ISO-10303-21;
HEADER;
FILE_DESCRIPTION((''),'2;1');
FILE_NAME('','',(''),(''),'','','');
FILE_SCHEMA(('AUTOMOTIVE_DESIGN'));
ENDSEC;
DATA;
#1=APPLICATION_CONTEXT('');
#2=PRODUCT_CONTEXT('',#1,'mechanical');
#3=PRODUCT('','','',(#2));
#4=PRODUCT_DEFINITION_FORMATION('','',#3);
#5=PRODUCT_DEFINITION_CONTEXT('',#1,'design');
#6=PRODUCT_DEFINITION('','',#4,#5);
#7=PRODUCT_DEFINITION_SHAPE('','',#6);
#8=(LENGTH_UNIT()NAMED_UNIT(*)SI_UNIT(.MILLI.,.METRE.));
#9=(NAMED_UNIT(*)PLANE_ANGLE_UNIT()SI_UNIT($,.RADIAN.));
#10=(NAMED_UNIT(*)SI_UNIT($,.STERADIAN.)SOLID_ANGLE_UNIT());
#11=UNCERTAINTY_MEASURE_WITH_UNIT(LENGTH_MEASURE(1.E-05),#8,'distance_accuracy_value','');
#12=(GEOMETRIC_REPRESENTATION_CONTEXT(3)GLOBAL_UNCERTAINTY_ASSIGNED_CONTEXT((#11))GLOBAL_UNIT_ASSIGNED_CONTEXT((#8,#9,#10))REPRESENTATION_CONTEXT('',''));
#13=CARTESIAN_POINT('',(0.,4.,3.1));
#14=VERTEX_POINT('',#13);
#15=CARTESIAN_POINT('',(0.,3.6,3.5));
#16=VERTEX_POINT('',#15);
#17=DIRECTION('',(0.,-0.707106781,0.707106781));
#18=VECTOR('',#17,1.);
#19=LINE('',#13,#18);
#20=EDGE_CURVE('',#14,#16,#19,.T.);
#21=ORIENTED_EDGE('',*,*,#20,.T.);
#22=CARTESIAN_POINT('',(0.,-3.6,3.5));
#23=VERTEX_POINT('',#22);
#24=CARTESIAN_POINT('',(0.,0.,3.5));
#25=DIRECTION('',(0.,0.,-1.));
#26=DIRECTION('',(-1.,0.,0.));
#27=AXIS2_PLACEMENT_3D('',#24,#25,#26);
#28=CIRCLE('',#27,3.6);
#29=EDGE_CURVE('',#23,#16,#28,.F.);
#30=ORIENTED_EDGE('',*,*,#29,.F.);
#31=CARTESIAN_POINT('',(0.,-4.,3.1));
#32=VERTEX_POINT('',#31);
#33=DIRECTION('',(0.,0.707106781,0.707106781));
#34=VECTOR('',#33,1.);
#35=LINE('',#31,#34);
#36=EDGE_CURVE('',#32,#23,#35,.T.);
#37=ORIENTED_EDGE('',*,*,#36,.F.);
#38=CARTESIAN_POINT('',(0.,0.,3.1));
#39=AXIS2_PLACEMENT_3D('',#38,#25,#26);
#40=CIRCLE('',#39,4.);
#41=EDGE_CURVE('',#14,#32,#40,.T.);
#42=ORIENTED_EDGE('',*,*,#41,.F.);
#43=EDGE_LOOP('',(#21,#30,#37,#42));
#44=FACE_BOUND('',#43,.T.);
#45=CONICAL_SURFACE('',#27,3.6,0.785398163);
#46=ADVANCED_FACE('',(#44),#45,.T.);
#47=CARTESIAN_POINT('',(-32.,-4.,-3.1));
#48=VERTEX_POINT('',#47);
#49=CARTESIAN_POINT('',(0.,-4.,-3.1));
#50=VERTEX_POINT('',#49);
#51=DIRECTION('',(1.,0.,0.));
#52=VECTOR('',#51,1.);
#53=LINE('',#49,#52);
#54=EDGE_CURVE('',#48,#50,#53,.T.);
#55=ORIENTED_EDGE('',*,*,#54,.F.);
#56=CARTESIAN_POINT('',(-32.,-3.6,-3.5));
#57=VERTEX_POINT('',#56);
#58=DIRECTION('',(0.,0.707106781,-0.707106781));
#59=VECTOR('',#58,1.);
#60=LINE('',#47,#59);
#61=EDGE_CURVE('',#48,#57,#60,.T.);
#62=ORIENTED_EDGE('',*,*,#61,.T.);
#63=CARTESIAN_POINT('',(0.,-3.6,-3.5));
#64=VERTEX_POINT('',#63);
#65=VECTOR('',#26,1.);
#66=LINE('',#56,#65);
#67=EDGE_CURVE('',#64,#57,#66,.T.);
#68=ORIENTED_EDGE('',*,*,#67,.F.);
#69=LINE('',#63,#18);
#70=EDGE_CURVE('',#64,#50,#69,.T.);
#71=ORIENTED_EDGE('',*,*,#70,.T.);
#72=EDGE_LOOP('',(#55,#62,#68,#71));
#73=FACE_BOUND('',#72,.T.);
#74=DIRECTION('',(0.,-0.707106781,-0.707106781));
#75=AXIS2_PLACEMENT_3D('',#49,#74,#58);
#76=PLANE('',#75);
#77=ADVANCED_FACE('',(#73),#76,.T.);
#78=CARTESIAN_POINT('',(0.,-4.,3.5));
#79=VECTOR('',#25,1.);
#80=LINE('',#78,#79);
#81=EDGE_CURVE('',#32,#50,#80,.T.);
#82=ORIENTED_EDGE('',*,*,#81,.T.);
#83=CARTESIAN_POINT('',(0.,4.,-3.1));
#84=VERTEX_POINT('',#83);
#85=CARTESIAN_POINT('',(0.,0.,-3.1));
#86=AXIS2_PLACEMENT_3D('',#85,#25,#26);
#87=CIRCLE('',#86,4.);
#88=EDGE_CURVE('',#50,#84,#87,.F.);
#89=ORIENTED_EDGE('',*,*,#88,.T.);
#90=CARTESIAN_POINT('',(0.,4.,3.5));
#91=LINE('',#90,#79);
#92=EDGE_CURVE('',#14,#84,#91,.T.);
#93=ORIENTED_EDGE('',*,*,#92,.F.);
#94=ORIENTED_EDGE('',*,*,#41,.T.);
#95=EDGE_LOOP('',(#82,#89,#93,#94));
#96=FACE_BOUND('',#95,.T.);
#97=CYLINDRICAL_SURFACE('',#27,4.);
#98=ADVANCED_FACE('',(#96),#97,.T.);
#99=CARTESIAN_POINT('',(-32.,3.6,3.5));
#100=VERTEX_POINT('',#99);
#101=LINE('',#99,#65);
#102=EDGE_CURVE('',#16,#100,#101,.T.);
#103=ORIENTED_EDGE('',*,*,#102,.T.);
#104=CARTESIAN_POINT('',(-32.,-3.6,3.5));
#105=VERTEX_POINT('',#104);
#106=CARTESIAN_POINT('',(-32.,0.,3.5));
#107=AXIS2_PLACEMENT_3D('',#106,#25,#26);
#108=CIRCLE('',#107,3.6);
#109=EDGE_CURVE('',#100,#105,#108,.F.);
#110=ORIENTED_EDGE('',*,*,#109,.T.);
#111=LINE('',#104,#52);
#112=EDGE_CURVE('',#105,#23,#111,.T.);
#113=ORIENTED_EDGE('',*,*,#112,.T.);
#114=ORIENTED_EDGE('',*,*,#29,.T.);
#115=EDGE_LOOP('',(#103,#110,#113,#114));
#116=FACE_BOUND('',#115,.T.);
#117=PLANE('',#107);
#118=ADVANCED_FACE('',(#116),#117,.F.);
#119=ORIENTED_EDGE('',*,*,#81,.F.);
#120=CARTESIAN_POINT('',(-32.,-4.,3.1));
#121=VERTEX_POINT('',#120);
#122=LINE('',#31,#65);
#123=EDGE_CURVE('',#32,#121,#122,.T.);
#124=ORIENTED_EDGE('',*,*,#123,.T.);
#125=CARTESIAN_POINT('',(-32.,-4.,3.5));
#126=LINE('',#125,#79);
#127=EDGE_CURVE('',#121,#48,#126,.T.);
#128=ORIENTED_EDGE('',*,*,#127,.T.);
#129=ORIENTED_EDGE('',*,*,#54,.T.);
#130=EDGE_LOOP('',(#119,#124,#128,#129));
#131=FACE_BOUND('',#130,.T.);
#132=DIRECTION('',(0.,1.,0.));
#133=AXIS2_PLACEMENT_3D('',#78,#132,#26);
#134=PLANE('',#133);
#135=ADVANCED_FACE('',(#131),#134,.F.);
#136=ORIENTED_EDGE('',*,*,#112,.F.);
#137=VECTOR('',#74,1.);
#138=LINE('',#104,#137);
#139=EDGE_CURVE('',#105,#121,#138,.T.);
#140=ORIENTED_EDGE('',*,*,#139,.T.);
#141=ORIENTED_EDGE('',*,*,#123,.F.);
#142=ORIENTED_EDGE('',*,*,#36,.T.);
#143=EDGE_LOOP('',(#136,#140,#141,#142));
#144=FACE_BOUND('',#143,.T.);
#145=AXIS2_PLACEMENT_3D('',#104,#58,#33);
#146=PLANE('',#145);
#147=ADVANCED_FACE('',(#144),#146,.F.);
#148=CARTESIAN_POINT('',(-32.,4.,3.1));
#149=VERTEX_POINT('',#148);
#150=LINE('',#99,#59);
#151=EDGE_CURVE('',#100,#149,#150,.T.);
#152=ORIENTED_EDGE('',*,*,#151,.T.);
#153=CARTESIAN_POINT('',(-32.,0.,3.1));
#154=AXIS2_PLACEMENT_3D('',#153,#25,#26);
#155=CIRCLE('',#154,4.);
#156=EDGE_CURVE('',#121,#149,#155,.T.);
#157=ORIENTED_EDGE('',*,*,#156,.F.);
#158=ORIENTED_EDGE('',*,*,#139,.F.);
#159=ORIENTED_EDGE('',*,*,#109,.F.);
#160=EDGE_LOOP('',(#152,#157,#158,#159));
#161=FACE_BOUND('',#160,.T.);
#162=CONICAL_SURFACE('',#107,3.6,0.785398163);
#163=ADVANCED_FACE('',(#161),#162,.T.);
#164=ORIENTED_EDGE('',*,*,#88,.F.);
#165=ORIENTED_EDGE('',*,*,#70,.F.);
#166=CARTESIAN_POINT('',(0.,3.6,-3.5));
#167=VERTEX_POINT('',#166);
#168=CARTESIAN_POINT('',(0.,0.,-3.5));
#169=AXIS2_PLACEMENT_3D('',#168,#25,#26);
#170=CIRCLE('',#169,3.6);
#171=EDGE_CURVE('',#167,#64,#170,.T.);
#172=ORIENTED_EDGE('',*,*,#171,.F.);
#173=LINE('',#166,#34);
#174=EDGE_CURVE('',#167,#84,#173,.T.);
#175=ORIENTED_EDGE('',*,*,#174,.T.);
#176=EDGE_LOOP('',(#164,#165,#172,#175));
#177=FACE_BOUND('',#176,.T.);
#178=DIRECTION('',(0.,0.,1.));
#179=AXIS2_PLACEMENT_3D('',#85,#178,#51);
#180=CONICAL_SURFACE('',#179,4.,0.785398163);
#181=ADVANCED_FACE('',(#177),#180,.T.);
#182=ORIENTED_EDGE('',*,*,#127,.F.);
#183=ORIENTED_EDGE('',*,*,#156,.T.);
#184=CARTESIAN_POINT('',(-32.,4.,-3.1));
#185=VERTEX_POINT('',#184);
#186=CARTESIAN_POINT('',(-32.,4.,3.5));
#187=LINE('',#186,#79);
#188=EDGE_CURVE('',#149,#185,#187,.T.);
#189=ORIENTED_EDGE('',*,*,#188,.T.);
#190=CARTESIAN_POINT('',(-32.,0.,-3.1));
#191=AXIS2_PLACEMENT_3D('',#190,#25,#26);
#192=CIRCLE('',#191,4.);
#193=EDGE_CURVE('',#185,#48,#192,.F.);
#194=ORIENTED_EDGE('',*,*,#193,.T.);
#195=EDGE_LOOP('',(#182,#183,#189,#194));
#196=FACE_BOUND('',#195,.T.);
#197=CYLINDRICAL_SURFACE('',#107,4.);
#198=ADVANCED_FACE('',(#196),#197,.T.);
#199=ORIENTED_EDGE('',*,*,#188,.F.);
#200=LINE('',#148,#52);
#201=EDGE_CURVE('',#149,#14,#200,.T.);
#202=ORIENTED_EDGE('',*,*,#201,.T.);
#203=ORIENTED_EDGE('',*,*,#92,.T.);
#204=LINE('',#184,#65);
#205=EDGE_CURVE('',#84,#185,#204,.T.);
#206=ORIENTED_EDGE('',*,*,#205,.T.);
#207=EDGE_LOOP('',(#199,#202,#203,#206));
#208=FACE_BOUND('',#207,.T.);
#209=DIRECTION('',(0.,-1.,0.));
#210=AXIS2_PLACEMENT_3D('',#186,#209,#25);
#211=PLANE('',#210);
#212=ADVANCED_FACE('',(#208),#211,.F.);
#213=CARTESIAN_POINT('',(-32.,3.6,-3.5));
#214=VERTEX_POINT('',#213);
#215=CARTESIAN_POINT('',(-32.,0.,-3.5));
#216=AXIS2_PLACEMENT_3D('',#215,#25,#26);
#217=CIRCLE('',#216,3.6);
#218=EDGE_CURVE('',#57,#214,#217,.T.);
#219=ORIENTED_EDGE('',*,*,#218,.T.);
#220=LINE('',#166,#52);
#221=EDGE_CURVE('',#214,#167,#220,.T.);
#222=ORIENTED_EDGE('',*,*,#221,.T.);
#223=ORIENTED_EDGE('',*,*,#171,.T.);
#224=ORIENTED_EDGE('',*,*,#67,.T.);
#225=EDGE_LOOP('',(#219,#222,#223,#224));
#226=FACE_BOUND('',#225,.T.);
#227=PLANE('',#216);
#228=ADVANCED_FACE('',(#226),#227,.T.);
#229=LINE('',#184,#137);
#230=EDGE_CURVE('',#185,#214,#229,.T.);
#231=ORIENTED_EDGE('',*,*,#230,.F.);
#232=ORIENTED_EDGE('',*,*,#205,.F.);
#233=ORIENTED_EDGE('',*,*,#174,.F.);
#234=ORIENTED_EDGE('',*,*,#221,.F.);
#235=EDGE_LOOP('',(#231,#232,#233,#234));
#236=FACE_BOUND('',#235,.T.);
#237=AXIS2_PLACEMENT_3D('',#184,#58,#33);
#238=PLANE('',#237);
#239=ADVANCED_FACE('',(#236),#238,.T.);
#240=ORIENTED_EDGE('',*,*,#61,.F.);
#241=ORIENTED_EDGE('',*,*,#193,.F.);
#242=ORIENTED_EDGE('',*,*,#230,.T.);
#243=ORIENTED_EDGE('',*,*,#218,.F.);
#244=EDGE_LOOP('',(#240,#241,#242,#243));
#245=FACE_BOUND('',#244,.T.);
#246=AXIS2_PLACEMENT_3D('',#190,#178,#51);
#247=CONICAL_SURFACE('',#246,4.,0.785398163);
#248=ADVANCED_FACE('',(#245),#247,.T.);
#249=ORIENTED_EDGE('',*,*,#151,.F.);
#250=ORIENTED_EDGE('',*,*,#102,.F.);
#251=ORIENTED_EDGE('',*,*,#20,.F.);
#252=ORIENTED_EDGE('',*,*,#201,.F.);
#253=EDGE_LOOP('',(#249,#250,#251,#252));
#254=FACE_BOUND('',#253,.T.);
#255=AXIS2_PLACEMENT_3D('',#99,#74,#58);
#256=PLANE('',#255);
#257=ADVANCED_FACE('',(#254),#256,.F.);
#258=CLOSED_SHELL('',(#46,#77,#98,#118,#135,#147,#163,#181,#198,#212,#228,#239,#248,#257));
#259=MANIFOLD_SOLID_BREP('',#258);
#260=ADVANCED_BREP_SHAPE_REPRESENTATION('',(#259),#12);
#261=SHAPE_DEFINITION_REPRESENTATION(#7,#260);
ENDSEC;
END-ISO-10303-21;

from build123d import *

# Parameters (mm, degrees)
BASEKEY_DEPTH = 3.5
CHAMFER1_SIZE = 0.4


with BuildPart() as part:
    # Sketch1 → BaseKey (new, symmetric)
    with BuildSketch(Plane.XY):
        with BuildLine():
            Line((-32, 4), (0, 4))
            ThreePointArc((0, 4), (4, 0), (0, -4))
            Line((0, -4), (-32, -4))
            ThreePointArc((-32, -4), (-36, 0), (-32, 4))
        make_face()
    extrude(amount=BASEKEY_DEPTH, both=True)

    # Chamfer1
    chamfer1_edges = [part.edges().sort_by_distance(p)[0] for p in [
        (4, 0, 3.5),
        (-16, 4, 3.5),
        (-36, 0, 3.5),
        (-16, 4, -3.5),
        (4, 0, -3.5),
        (-16, -4, -3.5),
        (-36, 0, -3.5),
        (-16, -4, 3.5),
    ]]
    chamfer(chamfer1_edges, length=CHAMFER1_SIZE)


solid = part.part
